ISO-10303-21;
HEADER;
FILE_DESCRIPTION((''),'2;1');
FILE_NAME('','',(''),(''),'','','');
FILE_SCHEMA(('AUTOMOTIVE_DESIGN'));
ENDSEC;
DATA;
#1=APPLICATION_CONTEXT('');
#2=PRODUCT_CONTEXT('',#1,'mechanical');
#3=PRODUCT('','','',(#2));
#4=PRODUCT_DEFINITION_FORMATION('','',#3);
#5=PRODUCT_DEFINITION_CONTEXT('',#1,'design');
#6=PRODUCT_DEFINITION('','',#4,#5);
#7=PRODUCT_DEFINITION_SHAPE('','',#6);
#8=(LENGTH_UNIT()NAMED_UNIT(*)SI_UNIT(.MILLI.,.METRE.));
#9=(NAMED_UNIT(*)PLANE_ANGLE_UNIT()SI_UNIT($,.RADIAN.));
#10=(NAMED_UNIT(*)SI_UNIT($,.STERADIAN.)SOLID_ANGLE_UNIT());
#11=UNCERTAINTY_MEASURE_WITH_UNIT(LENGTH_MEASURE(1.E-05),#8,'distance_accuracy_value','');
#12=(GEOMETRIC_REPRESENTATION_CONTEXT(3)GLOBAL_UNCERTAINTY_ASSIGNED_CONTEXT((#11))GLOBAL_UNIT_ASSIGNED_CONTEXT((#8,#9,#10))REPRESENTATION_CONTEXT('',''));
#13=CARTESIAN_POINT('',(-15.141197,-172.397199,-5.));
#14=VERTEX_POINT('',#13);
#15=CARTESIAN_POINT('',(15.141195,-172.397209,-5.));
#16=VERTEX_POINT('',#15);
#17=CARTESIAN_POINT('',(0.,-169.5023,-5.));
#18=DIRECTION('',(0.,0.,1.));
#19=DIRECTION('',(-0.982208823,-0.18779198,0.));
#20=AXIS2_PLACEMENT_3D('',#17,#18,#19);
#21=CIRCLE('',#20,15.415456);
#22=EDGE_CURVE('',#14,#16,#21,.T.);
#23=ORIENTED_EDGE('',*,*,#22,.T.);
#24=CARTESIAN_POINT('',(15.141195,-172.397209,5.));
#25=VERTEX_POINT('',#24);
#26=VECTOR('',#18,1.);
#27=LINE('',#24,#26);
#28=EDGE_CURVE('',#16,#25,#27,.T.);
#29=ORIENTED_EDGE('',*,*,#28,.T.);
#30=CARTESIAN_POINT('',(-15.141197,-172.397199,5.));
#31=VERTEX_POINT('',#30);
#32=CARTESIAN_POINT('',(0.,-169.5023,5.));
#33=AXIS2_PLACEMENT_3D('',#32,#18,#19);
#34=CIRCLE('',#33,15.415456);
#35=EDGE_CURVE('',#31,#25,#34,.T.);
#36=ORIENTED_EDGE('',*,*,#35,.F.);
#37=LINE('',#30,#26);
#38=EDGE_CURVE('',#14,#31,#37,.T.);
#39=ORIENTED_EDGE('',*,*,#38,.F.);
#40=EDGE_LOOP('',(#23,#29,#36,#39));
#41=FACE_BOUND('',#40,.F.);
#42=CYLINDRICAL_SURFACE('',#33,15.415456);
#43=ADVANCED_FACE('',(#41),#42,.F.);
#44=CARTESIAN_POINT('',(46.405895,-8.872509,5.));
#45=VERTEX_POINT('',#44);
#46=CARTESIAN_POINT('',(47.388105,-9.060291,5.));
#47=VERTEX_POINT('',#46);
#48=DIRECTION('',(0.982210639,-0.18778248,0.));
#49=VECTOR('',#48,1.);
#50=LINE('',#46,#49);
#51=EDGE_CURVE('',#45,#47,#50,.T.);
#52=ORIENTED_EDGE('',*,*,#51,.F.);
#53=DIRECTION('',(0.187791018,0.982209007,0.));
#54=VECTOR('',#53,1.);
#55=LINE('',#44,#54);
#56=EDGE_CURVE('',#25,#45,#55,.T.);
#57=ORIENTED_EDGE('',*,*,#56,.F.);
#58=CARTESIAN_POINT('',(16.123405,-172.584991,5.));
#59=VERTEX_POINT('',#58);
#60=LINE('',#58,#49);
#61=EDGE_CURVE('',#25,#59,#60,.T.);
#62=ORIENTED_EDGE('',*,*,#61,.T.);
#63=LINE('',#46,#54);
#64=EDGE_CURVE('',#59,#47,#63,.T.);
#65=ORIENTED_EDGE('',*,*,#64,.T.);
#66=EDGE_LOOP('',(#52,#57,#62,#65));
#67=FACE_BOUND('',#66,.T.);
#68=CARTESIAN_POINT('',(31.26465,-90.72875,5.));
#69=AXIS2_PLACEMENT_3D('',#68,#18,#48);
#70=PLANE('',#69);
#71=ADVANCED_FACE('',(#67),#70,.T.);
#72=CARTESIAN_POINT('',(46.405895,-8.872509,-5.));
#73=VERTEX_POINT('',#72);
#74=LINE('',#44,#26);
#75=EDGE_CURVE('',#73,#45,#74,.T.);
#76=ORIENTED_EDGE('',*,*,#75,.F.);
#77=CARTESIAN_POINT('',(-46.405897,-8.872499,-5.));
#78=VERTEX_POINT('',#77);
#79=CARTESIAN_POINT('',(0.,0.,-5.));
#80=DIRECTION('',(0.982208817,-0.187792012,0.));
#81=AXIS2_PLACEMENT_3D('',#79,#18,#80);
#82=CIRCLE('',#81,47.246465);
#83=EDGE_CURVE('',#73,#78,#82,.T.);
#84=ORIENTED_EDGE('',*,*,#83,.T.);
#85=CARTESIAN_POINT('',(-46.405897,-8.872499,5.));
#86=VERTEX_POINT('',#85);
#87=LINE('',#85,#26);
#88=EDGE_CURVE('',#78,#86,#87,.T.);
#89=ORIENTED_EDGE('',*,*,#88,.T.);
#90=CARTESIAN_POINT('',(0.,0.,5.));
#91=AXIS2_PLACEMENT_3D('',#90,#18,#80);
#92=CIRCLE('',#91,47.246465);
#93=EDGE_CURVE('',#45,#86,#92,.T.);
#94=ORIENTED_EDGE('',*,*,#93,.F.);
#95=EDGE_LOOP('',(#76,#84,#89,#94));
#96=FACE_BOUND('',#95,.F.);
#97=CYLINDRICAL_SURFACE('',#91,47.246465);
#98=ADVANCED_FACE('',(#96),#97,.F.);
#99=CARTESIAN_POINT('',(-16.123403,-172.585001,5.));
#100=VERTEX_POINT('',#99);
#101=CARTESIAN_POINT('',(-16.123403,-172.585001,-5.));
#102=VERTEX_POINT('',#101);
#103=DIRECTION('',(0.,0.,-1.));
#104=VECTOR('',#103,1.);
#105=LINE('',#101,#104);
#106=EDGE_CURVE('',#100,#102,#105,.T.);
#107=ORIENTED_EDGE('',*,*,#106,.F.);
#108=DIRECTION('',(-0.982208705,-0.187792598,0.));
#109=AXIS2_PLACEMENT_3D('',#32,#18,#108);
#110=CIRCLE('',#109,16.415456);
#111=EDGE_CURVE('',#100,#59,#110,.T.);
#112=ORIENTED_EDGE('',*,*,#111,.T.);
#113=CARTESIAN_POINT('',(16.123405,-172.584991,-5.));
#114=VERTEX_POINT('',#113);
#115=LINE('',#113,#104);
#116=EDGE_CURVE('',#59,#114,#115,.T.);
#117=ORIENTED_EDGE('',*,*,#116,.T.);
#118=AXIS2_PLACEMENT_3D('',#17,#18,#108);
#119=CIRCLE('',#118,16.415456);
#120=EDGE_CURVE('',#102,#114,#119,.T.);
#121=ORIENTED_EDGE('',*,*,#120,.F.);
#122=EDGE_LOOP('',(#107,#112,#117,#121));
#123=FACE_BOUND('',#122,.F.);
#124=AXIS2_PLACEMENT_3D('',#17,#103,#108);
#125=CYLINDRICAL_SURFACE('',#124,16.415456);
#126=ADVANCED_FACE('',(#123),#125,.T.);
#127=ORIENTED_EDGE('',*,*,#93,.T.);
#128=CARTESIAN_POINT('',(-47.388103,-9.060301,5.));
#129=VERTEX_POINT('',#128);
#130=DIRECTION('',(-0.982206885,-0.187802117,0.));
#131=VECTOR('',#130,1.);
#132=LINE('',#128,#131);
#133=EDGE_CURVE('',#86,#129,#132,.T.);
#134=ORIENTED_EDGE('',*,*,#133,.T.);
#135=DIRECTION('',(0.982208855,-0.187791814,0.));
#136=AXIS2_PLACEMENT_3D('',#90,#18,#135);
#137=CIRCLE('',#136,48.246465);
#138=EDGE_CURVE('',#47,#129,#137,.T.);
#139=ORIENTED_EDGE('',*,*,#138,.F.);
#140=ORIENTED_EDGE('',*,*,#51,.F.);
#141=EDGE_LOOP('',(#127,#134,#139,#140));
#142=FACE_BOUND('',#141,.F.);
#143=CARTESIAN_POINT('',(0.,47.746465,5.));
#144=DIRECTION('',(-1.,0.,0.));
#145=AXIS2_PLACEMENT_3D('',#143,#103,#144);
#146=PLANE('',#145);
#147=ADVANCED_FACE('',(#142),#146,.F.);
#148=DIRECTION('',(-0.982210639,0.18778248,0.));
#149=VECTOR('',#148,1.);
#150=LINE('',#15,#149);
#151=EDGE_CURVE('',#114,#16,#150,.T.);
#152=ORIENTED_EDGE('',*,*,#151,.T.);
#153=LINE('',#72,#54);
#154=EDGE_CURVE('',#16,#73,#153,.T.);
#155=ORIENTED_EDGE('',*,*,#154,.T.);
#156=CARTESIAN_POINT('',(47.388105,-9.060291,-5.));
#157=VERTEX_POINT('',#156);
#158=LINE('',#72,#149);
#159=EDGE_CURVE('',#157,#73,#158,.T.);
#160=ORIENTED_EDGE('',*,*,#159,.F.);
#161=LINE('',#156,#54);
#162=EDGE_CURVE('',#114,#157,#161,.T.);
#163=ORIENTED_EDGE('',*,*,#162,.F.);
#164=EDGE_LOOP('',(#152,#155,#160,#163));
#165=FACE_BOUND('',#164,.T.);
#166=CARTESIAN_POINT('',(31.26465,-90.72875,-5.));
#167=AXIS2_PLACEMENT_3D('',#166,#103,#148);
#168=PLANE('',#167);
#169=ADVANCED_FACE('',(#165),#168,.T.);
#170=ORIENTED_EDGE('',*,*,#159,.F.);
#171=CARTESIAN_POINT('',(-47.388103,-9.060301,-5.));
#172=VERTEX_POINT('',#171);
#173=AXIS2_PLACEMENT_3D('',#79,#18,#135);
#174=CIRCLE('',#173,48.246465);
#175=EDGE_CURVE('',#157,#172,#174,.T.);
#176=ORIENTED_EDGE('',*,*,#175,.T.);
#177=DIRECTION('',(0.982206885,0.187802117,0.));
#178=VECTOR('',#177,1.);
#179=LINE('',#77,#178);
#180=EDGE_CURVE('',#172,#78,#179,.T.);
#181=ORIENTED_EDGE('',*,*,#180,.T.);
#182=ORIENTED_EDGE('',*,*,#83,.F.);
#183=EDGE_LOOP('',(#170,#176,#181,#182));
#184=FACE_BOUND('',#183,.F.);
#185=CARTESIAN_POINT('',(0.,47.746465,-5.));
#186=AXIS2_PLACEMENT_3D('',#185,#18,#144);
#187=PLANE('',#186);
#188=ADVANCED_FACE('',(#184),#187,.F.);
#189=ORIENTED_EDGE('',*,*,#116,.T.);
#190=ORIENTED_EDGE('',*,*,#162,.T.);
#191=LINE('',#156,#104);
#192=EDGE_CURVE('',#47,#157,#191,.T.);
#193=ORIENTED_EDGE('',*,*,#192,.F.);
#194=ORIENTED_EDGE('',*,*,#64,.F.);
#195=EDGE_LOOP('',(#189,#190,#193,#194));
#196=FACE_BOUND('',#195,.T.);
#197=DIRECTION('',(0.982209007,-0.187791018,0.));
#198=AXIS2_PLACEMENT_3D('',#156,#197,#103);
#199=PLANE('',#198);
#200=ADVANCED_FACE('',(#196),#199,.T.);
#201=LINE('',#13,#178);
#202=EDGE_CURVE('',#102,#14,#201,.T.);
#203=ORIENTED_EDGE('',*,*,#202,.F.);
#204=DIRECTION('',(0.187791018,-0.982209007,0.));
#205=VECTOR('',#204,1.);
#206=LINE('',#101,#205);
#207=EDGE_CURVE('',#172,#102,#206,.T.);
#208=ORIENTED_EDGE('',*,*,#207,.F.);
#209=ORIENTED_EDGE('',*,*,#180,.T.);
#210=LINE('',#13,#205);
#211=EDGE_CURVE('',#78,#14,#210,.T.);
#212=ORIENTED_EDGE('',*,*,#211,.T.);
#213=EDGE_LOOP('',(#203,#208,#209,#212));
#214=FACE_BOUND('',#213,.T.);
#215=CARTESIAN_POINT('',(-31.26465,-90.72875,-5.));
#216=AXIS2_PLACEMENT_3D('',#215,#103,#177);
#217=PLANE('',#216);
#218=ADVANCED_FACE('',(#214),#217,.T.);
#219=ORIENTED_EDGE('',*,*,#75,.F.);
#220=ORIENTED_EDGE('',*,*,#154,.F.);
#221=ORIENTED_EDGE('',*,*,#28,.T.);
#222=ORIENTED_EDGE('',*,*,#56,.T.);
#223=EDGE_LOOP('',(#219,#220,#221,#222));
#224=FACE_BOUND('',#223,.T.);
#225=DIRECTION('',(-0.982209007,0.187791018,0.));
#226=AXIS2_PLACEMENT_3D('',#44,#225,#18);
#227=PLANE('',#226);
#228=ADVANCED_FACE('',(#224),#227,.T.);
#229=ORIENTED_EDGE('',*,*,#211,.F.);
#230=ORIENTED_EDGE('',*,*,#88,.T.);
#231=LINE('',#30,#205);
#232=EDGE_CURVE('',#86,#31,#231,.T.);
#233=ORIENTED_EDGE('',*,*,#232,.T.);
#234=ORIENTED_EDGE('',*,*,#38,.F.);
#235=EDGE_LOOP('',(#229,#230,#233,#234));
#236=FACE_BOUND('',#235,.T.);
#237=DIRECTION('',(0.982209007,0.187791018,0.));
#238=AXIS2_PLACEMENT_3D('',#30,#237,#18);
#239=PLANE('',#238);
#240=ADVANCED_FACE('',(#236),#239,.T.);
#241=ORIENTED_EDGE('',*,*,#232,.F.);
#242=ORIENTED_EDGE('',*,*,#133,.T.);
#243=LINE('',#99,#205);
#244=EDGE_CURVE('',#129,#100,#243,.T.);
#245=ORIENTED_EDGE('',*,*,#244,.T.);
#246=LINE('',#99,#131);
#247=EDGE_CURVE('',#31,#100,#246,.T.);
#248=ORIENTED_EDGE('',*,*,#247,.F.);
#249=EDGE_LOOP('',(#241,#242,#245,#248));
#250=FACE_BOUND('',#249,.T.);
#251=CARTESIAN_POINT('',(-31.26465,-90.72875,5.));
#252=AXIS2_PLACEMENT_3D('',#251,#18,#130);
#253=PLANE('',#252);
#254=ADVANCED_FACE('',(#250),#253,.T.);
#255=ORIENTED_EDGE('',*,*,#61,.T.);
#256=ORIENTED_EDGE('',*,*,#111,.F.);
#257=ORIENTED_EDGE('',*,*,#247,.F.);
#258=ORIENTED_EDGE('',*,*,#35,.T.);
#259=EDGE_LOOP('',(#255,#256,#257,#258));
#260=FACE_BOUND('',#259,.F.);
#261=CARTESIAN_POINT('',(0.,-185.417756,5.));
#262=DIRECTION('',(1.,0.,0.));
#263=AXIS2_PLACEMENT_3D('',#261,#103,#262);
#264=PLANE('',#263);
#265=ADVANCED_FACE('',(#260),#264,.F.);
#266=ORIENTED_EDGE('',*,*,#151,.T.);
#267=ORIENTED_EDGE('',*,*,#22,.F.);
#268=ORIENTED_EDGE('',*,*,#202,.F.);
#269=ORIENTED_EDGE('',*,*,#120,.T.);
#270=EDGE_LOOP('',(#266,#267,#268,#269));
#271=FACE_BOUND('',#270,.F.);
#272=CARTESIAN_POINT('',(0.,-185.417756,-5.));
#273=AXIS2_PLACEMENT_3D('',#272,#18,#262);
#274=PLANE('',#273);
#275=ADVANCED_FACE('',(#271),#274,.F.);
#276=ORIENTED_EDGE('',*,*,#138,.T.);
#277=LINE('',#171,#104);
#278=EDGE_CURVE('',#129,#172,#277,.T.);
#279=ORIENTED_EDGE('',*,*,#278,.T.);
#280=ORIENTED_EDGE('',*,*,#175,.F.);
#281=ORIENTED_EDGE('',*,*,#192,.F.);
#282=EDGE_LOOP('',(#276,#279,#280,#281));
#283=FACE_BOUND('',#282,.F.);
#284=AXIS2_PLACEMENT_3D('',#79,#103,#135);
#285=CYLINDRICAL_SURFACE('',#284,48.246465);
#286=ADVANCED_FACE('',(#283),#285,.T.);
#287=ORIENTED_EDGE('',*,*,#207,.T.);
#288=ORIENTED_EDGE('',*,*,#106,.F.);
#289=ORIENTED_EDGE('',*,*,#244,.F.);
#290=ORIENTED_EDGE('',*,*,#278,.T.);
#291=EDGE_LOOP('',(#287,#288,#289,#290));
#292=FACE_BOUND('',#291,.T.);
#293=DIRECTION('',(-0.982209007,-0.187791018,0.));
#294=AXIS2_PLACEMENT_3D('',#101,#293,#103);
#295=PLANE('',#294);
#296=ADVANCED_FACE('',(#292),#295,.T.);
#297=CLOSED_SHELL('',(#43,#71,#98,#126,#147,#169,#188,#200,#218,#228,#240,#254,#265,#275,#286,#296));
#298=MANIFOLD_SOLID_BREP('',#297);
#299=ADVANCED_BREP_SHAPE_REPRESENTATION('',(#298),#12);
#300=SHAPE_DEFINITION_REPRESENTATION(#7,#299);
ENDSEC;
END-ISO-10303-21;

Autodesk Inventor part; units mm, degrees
sketch "Sketch Path" plane through (0, 0, 0) normal (0, 0, 1) x (1, 0, 0)
  arc A0 (46.897, -8.9664) -> (-46.897, -8.9664) centre (0, 0) ccw
  arc A1 (-15.6323, -172.4911) -> (15.6323, -172.4911) centre (0, -169.5023) ccw
  line L0 (-15.6323, -172.4911) -> (-46.897, -8.9664)
  line L1 (46.897, -8.9664) -> (15.6323, -172.4911)
ref_plane "Cross Section Plane" through (-46.897, -8.9664, 0) normal (0.1878, -0.9822, 0) x (0, 0, 1)
ref_plane "Work Plane2" through (0, 0, 0) normal (-1, 0, 0) x (0, 0, 1)
ref_plane "Work Plane3" through (0, -169.5023, 0) normal (0.454, 0.891, 0) x (0, 0, 1)
sketch "Cross Section" plane through (-46.897, -8.9664, 0) normal (0.1878, -0.9822, 0) x (0, 0, 1)
  line L0 (-5, 0.5) -> (5, 0.5)
  line L1 (5, 0.5) -> (5, -0.5)
  line L2 (5, -0.5) -> (-5, -0.5)
  line L3 (-5, -0.5) -> (-5, 0.5)
  line L4 (-5, 0) -> (5, 0) construction
  point P0 (0, 0)
  point P1 (0, 0)
  dimension "d0" = 10
  dimension "d4" = 0.5
  dimension "d5" = 0.5
sweep "Belt" add profiles "Cross Section" path "Sketch Path"
equation "\"d0\" = da_B"
equation "\"d4\" = da_a"
equation "\"d5\" = da_a2"
equation "\"da_B\" = 10"
equation "\"da_pb\" = 5"
equation "\"da_L\" = 545"
equation "\"da_a\" = 0.5"
equation "\"da_S\" = 2.65"
equation "\"da_Beta\" = 20deg"
equation "\"da_Ht\" = 1.2"
equation "\"da_H\" = 2.2"
equation "\"da_a2\" = 0.5"
properties part number "Synchronous Belt" material "Aluminum 6061"
